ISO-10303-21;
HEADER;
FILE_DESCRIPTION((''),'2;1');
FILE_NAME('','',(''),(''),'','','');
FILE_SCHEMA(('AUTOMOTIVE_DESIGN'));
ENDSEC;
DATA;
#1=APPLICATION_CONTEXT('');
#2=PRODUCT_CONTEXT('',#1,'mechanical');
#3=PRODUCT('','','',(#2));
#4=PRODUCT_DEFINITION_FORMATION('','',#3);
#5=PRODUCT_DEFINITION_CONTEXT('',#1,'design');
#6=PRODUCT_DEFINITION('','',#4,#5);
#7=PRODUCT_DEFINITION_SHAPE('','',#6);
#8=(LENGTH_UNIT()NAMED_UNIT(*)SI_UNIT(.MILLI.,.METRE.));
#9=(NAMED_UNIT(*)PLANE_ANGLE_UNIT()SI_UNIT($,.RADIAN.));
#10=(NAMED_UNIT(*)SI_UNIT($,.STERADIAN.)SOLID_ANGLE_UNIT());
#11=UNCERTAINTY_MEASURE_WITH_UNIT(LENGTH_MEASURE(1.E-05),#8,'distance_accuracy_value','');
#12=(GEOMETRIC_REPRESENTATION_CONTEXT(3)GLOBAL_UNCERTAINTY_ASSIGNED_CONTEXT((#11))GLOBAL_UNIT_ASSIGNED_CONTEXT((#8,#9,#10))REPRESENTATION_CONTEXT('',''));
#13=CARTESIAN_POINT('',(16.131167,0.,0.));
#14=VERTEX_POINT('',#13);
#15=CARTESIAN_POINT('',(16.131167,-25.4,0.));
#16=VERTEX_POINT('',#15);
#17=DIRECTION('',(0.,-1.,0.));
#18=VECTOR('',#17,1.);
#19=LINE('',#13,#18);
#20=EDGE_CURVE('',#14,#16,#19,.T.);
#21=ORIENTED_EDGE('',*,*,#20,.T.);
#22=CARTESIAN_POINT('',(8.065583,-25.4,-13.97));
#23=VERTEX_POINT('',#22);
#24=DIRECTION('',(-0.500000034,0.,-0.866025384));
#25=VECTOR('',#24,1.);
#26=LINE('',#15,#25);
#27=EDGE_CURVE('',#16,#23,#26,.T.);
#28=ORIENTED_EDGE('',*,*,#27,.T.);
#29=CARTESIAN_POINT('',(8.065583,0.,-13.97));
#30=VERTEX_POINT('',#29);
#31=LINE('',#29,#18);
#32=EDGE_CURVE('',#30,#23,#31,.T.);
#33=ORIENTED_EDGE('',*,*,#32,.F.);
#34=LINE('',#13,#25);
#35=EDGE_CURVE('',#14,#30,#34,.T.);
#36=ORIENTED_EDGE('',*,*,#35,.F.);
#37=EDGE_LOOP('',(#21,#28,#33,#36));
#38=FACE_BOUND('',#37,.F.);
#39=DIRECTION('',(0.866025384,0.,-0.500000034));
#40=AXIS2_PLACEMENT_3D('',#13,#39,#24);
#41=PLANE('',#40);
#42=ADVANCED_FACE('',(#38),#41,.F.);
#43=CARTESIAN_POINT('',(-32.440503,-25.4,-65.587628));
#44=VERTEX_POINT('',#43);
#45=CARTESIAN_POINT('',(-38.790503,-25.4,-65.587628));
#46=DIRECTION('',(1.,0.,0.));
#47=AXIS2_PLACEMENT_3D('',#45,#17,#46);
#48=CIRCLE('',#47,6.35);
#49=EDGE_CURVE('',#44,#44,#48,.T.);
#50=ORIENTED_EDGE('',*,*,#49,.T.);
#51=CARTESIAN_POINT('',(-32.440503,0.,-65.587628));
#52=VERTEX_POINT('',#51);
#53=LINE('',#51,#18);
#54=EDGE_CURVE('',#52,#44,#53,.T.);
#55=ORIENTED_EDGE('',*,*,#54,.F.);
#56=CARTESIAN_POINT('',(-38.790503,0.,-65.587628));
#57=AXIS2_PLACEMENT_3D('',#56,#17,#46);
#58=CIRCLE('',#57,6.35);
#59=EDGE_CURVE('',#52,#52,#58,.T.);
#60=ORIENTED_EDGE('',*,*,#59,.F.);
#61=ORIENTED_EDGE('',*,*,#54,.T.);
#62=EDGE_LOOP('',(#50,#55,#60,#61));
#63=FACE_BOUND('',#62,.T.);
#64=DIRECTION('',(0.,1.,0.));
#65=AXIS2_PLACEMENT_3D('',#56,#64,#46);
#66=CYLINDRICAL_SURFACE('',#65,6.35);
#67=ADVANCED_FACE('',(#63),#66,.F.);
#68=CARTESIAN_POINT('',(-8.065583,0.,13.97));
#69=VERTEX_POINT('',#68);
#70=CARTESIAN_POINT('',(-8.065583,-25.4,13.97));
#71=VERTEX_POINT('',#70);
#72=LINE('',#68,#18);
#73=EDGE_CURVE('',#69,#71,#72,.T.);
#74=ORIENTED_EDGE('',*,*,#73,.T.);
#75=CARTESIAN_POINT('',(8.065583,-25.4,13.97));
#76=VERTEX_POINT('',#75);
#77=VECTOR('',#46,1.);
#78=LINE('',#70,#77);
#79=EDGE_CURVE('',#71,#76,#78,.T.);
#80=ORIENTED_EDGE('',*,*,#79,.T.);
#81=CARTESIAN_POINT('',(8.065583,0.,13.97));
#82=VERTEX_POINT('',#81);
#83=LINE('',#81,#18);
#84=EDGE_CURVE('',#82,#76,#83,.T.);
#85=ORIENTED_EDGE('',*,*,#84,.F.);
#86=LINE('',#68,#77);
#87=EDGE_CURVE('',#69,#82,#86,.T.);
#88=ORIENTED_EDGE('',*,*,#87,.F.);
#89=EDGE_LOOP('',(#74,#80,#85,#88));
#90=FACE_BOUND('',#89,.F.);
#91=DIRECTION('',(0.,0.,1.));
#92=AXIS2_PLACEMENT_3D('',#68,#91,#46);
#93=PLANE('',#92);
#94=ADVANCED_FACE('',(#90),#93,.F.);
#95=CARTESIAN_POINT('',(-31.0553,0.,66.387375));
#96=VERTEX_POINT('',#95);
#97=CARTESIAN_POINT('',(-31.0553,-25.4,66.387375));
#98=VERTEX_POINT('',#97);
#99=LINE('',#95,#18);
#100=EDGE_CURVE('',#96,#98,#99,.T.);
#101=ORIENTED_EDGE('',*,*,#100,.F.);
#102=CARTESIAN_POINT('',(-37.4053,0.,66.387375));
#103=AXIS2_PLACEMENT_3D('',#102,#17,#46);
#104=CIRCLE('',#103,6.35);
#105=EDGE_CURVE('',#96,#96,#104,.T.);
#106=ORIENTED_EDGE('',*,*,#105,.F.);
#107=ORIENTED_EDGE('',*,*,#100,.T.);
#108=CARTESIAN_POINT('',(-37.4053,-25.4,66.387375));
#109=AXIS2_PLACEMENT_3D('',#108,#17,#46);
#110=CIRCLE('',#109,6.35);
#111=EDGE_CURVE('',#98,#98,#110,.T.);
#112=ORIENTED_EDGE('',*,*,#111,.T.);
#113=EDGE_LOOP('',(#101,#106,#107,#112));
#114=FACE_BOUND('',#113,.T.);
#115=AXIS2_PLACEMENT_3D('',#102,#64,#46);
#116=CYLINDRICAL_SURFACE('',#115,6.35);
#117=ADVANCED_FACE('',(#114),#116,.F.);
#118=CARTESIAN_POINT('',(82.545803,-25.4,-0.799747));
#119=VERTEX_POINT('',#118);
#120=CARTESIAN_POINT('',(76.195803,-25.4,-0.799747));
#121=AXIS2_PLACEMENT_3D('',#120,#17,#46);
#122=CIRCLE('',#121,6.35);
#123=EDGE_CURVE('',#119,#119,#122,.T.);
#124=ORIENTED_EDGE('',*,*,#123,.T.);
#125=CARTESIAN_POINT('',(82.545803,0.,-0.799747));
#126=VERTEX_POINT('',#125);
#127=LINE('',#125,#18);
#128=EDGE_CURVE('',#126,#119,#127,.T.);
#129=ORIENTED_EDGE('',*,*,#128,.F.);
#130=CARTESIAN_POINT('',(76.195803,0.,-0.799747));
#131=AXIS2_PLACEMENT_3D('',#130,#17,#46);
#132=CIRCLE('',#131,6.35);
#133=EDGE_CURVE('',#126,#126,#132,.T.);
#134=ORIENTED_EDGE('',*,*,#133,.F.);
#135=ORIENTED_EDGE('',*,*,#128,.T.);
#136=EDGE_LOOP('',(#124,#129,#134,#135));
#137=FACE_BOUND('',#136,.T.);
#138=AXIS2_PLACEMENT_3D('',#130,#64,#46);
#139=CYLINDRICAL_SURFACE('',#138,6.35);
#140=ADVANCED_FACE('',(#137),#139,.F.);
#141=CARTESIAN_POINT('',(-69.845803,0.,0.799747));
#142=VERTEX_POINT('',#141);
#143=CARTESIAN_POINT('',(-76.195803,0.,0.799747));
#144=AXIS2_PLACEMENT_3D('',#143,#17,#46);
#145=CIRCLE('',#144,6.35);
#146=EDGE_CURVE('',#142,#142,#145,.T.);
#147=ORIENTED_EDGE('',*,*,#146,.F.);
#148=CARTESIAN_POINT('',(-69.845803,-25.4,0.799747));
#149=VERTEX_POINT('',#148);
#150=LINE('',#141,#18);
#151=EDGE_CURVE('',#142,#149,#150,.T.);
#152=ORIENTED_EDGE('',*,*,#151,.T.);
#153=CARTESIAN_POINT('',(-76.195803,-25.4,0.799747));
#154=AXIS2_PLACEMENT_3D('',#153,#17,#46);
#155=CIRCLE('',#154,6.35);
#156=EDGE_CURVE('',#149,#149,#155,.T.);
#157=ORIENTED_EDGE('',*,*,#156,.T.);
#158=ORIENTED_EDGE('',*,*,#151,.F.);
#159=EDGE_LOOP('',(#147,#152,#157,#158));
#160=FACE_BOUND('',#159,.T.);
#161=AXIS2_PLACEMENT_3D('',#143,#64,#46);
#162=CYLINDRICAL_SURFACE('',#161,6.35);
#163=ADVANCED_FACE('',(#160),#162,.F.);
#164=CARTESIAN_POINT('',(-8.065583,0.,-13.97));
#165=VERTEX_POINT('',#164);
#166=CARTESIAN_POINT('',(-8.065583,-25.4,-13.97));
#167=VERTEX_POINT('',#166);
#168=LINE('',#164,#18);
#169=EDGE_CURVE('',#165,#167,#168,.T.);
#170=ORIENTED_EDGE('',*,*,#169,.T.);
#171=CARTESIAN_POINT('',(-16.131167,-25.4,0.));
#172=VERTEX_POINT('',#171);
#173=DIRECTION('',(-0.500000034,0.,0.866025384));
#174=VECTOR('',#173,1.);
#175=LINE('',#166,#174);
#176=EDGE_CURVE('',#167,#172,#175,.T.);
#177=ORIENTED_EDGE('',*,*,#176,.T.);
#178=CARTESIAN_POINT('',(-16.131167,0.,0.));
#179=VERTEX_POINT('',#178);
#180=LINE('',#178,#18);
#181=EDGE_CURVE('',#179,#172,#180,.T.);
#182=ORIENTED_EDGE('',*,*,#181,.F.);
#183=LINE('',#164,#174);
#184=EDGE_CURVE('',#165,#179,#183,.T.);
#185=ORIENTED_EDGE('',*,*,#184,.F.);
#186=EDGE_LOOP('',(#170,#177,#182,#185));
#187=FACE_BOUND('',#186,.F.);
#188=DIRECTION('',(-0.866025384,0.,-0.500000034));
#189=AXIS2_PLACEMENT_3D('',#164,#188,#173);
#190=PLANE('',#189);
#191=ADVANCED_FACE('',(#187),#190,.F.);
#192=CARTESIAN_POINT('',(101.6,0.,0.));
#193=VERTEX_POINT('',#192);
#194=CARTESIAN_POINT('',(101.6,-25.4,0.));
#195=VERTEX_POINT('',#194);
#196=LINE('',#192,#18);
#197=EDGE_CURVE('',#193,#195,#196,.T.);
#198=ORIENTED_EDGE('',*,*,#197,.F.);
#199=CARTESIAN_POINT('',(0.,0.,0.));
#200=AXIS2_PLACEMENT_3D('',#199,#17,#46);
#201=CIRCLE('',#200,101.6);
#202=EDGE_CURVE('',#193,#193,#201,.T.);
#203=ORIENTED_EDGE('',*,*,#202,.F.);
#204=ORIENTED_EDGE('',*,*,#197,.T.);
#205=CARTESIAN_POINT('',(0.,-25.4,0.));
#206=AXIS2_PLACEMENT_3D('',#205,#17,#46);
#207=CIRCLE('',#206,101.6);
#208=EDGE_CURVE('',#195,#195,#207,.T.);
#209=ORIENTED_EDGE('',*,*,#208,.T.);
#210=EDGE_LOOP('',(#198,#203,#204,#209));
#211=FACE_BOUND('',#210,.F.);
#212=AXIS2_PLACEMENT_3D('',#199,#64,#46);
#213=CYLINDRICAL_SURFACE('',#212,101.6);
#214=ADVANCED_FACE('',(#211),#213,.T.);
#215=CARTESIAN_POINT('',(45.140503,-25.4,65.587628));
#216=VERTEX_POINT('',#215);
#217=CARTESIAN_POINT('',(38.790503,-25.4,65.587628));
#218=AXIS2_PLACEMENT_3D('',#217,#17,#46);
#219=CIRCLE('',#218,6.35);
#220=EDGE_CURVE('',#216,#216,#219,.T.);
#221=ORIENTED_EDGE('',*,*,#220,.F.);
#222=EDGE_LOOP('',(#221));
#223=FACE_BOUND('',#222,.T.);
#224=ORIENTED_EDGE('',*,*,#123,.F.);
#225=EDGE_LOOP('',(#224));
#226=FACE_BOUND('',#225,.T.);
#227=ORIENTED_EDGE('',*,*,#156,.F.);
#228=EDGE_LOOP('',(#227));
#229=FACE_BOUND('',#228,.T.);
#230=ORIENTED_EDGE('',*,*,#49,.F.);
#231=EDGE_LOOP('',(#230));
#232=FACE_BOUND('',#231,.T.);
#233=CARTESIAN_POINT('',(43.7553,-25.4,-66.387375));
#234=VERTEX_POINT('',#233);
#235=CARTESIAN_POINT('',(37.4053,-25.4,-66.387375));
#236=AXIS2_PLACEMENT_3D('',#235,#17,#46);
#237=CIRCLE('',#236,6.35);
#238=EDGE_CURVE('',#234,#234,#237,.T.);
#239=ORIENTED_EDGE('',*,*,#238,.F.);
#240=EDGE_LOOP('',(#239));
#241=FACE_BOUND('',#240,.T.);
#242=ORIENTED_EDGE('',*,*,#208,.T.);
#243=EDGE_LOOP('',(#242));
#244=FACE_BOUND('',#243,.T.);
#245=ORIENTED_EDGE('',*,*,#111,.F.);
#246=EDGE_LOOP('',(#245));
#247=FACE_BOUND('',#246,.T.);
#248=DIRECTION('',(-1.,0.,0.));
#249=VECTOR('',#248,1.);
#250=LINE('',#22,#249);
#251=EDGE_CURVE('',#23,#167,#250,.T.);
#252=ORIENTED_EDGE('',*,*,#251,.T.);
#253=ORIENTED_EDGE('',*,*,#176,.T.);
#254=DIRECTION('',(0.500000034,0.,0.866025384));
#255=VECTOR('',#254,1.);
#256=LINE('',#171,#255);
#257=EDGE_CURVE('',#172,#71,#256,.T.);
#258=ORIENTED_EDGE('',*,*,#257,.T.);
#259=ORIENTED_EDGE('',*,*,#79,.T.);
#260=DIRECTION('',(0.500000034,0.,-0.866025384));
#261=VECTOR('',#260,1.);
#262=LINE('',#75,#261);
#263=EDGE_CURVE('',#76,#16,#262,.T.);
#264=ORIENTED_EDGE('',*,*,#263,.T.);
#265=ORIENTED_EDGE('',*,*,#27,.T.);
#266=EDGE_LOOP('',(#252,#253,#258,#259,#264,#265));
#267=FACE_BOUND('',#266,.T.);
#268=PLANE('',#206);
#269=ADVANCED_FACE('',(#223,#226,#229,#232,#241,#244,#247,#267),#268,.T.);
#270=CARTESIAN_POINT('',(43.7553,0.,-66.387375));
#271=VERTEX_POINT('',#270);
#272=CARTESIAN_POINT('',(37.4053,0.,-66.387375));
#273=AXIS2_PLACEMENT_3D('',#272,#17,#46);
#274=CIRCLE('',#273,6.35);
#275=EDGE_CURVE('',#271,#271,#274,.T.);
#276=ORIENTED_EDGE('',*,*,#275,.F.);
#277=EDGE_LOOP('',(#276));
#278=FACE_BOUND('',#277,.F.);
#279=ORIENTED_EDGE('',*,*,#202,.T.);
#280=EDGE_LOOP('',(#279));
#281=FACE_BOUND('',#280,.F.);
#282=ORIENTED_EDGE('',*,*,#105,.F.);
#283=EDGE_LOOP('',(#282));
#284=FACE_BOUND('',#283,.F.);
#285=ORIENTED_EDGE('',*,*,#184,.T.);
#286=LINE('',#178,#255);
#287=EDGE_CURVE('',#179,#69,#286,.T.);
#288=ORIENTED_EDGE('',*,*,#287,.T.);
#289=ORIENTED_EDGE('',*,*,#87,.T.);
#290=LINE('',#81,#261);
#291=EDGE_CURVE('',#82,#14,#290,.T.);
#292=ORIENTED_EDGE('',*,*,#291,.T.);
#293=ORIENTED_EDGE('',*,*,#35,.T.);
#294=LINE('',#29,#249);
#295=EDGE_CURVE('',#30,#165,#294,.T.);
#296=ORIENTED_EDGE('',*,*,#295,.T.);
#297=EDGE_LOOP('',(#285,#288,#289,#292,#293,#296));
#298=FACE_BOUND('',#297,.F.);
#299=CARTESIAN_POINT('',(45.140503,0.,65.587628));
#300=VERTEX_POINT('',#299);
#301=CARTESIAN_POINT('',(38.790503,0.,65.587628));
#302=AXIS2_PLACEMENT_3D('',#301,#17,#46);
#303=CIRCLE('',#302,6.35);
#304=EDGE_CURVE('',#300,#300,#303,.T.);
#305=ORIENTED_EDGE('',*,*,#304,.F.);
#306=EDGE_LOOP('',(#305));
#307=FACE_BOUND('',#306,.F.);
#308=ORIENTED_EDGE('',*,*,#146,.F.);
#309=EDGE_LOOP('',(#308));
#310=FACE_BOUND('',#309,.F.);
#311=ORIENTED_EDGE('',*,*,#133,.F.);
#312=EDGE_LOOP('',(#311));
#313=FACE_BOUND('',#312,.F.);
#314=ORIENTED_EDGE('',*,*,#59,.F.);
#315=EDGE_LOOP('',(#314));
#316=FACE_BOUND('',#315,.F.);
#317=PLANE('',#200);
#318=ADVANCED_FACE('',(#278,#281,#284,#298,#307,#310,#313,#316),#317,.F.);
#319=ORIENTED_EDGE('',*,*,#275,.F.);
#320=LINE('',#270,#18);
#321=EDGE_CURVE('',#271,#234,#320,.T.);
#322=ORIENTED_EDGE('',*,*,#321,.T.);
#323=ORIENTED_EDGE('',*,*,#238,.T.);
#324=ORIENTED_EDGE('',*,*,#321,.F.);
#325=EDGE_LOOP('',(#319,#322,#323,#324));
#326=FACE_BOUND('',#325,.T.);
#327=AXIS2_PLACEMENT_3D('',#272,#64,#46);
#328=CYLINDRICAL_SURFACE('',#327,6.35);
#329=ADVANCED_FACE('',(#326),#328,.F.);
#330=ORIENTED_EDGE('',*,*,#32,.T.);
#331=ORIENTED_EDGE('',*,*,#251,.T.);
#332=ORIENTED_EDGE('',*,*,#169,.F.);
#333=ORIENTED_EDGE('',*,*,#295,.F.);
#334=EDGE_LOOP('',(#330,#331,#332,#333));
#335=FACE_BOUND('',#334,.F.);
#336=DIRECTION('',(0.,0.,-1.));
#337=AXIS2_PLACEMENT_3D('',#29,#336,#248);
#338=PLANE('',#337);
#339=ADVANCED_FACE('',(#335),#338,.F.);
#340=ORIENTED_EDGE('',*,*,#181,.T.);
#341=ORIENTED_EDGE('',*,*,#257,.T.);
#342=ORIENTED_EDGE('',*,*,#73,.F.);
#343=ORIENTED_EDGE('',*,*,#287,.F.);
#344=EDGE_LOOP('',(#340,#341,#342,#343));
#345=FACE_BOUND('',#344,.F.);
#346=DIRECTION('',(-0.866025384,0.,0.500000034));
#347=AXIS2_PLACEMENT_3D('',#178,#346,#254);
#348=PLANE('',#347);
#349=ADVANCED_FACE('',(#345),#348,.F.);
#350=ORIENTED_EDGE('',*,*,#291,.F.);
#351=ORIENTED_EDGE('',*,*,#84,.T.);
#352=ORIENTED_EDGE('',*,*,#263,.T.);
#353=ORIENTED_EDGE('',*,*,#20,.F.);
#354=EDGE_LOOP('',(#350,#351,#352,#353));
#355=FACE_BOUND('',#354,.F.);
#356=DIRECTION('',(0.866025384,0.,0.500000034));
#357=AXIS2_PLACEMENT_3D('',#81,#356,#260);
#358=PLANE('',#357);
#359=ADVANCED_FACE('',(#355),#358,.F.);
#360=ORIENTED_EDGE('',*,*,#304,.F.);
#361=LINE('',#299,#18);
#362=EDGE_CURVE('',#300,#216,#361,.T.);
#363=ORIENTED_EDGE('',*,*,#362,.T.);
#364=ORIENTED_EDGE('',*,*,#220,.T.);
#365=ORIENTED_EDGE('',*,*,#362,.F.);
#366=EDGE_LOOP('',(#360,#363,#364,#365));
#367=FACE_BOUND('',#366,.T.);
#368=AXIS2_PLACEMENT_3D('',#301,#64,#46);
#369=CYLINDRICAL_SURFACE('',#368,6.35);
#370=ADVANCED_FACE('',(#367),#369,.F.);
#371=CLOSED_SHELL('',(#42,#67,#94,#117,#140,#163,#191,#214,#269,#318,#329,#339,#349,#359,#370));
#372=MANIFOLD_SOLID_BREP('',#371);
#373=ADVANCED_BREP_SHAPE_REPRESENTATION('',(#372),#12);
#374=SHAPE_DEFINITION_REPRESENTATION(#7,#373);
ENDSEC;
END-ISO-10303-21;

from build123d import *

# Parameters (mm, degrees)
F0_R     = 101.6
F0_R_2   = 6.35
F1_DEPTH = 25.4


with BuildPart() as f1:
    # F0 (on Front) → F1 (new body)
    with BuildSketch(Plane.XZ):
        Circle(F0_R)
        with Locations((-38.790503, -65.587628)):
            Circle(F0_R_2, mode=Mode.SUBTRACT)
        Polygon((16.131167, 0), (8.065583, -13.97), (-8.065583, -13.97), (-16.131167, 0), (-8.065583, 13.97), (8.065583, 13.97), align=None, mode=Mode.SUBTRACT)
        with Locations((37.4053, -66.387375)):
            Circle(F0_R_2, mode=Mode.SUBTRACT)
        with Locations((76.195803, -0.799747)):
            Circle(F0_R_2, mode=Mode.SUBTRACT)
        with Locations((-76.195803, 0.799747)):
            Circle(F0_R_2, mode=Mode.SUBTRACT)
        with Locations((-37.4053, 66.387375)):
            Circle(F0_R_2, mode=Mode.SUBTRACT)
        with Locations((38.790503, 65.587628)):
            Circle(F0_R_2, mode=Mode.SUBTRACT)
    extrude(amount=F1_DEPTH)


solid = f1.part
